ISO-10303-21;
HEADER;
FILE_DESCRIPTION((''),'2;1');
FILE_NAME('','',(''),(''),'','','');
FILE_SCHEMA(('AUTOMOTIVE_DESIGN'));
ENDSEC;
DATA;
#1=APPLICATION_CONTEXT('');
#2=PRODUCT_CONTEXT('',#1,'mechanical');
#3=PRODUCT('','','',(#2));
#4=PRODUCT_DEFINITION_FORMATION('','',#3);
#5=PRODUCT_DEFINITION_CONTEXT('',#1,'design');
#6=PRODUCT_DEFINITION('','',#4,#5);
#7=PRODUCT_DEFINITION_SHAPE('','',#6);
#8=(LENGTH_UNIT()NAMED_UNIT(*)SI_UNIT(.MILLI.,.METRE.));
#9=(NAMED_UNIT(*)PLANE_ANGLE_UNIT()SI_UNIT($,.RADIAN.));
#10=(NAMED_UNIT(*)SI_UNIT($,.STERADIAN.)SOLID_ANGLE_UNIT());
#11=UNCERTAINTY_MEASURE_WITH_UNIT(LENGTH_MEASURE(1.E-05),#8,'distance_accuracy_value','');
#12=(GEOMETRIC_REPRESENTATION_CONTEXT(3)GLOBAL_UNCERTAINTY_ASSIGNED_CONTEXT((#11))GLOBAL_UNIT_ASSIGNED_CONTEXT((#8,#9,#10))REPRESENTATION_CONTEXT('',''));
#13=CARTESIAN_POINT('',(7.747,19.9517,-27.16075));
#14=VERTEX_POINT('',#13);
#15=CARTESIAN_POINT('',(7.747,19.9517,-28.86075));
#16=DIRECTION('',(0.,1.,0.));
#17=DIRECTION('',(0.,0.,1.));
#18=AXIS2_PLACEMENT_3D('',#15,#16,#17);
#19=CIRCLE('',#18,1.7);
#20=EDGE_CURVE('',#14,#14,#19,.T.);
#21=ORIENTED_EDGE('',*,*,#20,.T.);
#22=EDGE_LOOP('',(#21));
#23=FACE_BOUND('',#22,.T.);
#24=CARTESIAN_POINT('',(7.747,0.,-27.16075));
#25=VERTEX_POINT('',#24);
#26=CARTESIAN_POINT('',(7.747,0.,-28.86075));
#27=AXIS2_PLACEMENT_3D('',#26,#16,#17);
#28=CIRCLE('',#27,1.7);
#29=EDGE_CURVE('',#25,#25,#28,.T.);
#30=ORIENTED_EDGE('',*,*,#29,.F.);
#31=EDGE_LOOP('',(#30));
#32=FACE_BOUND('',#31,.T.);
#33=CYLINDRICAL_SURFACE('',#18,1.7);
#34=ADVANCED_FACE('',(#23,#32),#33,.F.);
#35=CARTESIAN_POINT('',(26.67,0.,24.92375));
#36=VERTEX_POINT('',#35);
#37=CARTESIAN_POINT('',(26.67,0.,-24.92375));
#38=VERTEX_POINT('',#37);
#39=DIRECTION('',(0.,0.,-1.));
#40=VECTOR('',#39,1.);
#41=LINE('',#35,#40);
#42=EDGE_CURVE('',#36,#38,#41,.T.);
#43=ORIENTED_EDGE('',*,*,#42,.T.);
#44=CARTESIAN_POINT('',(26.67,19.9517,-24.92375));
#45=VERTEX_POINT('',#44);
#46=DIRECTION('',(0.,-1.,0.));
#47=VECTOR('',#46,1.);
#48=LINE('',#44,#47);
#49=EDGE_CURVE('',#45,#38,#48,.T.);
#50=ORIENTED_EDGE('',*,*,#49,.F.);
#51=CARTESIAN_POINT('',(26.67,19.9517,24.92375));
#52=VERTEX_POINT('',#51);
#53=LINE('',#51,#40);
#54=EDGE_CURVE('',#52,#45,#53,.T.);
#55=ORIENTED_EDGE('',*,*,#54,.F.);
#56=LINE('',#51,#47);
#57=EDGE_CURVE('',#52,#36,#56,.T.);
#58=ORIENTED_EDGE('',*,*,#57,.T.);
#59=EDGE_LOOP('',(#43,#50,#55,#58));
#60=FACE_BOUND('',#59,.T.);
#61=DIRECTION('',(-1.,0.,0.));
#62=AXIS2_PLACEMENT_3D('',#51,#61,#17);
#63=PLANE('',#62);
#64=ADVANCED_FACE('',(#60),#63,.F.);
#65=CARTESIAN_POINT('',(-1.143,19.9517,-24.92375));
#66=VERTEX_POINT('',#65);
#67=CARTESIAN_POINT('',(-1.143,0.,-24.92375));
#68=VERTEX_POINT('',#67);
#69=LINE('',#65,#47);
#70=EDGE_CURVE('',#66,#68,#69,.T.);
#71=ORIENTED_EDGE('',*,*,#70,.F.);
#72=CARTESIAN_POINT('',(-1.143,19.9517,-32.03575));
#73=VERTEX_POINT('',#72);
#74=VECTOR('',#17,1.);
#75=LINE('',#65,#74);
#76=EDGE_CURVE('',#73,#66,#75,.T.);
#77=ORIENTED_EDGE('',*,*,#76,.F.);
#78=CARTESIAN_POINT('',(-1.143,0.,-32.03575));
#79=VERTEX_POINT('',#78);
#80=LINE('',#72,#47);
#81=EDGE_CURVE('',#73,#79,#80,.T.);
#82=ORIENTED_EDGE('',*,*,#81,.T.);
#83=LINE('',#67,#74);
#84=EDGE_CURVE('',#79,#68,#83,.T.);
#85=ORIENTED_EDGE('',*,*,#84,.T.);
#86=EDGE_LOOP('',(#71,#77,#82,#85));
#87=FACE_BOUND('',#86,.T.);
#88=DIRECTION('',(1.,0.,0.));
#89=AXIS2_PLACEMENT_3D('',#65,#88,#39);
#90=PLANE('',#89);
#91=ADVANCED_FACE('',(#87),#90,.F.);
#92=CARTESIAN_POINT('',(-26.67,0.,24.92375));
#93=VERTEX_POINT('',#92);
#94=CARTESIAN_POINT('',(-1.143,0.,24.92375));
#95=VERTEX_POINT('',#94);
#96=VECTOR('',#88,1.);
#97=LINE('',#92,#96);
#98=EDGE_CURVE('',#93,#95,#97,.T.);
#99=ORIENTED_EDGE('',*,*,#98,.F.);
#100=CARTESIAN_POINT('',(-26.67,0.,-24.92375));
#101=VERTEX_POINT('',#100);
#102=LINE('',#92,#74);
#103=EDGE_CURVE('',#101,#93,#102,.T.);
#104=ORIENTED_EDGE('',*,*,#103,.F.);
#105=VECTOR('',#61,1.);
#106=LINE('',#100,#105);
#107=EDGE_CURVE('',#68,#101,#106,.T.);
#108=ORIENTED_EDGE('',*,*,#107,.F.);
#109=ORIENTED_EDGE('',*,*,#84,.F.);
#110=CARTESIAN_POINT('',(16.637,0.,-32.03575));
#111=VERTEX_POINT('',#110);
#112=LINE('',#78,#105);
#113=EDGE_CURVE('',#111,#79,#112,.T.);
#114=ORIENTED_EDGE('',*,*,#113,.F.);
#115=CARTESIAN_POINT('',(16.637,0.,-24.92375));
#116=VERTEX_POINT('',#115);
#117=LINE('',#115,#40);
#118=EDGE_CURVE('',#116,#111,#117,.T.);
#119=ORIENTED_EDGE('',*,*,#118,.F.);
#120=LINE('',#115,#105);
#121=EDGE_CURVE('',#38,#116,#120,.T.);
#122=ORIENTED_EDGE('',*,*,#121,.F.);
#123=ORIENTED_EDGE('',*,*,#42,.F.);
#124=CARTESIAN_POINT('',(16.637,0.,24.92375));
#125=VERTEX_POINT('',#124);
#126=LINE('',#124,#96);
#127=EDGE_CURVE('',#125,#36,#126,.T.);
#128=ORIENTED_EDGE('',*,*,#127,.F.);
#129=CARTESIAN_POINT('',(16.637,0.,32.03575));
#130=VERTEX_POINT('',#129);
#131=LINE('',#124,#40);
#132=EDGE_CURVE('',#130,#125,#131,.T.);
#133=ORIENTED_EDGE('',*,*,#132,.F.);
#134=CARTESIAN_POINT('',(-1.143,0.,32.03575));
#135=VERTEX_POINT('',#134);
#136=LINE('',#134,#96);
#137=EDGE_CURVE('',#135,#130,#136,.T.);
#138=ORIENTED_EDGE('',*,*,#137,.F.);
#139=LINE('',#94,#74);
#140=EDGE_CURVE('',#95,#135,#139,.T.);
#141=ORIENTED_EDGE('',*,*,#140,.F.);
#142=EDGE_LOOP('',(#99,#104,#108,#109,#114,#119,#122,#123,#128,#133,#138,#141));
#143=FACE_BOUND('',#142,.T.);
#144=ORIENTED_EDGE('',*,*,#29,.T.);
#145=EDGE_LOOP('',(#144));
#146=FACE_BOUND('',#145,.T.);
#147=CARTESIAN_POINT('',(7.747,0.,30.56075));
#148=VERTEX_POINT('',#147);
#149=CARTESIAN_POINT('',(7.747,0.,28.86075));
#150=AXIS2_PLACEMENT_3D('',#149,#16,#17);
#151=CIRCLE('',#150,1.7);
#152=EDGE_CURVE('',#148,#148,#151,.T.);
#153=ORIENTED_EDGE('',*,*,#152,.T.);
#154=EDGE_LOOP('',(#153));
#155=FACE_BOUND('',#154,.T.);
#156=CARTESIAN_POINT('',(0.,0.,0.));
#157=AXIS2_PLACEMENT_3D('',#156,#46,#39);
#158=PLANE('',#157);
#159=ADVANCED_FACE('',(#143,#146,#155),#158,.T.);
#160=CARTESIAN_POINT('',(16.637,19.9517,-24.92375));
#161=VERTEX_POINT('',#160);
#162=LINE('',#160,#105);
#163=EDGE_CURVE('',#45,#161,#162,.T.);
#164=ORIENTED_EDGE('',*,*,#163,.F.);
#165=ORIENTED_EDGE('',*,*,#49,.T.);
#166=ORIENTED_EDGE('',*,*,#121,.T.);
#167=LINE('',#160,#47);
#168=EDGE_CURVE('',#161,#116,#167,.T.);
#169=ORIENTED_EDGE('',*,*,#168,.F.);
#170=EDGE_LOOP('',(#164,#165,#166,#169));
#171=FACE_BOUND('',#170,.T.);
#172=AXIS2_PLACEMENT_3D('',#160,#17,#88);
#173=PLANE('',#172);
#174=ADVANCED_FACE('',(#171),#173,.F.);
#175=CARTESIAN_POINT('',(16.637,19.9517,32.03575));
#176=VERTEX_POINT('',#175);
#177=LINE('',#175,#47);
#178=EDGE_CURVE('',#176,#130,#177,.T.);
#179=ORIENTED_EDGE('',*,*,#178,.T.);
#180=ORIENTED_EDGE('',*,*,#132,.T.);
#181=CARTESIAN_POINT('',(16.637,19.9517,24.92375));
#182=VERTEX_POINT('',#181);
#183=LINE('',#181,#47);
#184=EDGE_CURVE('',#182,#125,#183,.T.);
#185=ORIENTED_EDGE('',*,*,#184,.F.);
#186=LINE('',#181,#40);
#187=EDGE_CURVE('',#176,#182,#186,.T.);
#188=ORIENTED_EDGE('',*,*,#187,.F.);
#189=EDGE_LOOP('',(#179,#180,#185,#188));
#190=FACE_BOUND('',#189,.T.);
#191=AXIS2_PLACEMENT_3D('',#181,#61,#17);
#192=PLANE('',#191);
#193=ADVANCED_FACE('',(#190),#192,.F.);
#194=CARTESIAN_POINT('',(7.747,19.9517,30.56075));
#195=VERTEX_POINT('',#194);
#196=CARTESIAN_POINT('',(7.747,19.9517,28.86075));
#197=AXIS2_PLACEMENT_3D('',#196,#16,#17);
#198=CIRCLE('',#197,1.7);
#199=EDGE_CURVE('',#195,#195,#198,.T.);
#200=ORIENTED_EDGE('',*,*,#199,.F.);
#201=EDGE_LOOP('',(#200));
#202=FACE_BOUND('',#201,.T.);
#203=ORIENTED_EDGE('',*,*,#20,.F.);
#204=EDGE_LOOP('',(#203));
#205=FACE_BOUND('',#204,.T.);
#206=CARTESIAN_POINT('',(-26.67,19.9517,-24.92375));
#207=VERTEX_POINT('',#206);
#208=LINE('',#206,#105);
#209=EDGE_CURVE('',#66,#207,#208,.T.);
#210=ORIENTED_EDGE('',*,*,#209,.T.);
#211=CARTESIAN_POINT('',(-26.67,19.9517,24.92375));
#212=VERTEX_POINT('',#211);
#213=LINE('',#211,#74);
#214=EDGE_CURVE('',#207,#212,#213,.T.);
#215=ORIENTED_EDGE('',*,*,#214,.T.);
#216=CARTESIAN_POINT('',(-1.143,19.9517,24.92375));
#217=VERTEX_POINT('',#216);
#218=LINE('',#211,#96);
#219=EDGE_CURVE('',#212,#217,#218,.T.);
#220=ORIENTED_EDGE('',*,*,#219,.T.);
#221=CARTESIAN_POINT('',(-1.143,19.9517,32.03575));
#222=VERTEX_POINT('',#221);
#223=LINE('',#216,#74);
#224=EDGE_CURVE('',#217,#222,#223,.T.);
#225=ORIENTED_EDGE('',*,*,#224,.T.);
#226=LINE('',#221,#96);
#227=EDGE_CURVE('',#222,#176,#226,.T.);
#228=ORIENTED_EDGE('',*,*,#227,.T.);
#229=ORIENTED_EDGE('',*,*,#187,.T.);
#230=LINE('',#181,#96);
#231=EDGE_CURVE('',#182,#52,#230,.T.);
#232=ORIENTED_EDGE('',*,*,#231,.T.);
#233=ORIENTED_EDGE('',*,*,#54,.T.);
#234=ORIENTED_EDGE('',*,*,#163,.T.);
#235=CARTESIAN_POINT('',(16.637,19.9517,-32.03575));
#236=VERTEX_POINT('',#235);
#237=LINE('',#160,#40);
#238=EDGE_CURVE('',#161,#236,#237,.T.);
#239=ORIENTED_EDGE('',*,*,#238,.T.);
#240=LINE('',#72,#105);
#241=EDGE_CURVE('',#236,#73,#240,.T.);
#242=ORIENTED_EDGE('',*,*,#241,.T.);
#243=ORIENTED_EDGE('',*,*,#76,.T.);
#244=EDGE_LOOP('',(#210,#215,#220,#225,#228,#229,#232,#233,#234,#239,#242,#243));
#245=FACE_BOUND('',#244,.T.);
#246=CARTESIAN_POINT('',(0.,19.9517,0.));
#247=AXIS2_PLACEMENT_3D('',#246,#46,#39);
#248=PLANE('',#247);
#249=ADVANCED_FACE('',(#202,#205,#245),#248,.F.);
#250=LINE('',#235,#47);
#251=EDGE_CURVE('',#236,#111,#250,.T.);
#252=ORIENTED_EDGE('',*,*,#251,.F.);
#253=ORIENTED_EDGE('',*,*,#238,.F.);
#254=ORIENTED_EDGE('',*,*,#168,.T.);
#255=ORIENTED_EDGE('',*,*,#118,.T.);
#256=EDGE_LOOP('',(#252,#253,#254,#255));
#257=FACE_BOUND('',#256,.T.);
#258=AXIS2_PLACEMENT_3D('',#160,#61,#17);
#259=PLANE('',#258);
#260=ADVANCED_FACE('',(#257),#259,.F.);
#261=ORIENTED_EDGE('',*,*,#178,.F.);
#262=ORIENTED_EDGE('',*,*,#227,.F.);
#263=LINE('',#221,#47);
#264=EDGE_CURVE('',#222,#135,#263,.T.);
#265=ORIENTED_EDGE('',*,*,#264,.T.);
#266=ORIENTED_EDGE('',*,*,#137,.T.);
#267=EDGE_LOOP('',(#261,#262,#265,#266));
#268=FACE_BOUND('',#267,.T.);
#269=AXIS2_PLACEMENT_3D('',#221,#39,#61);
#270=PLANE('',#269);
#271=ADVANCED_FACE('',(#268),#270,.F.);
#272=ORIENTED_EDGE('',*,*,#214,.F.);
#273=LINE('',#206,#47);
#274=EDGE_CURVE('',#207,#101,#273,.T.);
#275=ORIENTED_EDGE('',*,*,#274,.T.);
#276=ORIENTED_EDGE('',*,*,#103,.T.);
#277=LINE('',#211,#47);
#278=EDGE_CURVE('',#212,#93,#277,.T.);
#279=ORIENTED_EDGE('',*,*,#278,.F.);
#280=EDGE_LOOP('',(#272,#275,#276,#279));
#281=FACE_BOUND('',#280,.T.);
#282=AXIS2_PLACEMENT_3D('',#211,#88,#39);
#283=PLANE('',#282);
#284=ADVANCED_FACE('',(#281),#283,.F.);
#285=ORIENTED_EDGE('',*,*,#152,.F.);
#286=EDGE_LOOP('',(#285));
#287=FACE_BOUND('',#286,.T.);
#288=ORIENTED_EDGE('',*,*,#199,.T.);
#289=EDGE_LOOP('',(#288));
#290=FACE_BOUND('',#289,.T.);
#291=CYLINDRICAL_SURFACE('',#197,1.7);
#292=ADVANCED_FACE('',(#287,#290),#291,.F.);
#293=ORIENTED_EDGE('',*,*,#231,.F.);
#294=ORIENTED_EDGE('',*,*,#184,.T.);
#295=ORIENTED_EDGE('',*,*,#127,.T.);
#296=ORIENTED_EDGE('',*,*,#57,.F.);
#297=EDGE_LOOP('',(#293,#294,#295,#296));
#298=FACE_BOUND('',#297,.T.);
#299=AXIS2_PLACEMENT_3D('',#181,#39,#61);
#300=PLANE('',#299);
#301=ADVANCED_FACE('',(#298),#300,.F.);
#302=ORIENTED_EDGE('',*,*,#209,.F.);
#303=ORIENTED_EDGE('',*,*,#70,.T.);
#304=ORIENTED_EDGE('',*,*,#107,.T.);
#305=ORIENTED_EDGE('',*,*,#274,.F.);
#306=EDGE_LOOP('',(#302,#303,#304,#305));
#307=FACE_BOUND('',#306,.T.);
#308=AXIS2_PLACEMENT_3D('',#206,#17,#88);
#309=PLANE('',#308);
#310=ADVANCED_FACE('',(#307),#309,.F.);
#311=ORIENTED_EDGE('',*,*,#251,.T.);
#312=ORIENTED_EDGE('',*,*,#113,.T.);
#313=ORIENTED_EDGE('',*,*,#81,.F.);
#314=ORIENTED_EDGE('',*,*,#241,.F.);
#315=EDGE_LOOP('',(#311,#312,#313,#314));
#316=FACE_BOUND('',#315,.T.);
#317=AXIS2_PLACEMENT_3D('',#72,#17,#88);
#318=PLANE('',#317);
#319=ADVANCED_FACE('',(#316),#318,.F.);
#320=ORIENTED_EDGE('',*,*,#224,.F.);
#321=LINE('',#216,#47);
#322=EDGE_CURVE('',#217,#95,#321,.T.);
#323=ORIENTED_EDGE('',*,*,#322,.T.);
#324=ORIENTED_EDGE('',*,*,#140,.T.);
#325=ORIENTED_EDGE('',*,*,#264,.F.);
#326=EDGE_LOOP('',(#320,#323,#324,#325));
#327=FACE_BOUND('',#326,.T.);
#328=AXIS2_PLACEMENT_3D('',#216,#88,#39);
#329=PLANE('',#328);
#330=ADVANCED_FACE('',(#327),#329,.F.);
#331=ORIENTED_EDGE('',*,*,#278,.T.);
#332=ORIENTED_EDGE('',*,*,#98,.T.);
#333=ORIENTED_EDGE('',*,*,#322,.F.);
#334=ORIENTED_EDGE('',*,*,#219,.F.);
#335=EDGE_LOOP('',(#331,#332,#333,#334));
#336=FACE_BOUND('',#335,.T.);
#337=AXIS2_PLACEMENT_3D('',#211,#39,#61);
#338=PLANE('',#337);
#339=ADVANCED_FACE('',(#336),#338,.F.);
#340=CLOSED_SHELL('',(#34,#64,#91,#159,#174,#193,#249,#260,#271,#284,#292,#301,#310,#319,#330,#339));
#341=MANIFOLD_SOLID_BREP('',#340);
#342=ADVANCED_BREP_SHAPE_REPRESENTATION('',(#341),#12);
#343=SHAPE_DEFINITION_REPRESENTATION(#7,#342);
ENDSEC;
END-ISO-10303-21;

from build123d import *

# Parameters (mm, degrees)
BOSS_EXTRUDE1_DEPTH  = 19.9517
M3_CLEARANCE_HOLE1_D = 3.4


with BuildPart() as part:
    # Sketch1 → Boss-Extrude1 (new body)
    with BuildSketch(Plane(origin=(0, 0, 0), x_dir=(1, 0, 0), z_dir=(0, 1, 0))):
        Polygon((16.637, 24.92375), (26.67, 24.92375), (26.67, -24.92375), (16.637, -24.92375), (16.637, -32.03575), (-1.143, -32.03575), (-1.143, -24.92375), (-26.67, -24.92375), (-26.67, 24.92375), (-1.143, 24.92375), (-1.143, 32.03575), (16.637, 32.03575), align=None)
    extrude(amount=BOSS_EXTRUDE1_DEPTH)

    # M3 Clearance Hole1 (through all)
    with Locations(Plane(origin=(0, 19.9517, 0), x_dir=(1, 0, 0), z_dir=(0, 1, 0))):
        with Locations((7.747, 28.86075), (7.747, -28.86075)):
            Hole(M3_CLEARANCE_HOLE1_D / 2)


solid = part.part
